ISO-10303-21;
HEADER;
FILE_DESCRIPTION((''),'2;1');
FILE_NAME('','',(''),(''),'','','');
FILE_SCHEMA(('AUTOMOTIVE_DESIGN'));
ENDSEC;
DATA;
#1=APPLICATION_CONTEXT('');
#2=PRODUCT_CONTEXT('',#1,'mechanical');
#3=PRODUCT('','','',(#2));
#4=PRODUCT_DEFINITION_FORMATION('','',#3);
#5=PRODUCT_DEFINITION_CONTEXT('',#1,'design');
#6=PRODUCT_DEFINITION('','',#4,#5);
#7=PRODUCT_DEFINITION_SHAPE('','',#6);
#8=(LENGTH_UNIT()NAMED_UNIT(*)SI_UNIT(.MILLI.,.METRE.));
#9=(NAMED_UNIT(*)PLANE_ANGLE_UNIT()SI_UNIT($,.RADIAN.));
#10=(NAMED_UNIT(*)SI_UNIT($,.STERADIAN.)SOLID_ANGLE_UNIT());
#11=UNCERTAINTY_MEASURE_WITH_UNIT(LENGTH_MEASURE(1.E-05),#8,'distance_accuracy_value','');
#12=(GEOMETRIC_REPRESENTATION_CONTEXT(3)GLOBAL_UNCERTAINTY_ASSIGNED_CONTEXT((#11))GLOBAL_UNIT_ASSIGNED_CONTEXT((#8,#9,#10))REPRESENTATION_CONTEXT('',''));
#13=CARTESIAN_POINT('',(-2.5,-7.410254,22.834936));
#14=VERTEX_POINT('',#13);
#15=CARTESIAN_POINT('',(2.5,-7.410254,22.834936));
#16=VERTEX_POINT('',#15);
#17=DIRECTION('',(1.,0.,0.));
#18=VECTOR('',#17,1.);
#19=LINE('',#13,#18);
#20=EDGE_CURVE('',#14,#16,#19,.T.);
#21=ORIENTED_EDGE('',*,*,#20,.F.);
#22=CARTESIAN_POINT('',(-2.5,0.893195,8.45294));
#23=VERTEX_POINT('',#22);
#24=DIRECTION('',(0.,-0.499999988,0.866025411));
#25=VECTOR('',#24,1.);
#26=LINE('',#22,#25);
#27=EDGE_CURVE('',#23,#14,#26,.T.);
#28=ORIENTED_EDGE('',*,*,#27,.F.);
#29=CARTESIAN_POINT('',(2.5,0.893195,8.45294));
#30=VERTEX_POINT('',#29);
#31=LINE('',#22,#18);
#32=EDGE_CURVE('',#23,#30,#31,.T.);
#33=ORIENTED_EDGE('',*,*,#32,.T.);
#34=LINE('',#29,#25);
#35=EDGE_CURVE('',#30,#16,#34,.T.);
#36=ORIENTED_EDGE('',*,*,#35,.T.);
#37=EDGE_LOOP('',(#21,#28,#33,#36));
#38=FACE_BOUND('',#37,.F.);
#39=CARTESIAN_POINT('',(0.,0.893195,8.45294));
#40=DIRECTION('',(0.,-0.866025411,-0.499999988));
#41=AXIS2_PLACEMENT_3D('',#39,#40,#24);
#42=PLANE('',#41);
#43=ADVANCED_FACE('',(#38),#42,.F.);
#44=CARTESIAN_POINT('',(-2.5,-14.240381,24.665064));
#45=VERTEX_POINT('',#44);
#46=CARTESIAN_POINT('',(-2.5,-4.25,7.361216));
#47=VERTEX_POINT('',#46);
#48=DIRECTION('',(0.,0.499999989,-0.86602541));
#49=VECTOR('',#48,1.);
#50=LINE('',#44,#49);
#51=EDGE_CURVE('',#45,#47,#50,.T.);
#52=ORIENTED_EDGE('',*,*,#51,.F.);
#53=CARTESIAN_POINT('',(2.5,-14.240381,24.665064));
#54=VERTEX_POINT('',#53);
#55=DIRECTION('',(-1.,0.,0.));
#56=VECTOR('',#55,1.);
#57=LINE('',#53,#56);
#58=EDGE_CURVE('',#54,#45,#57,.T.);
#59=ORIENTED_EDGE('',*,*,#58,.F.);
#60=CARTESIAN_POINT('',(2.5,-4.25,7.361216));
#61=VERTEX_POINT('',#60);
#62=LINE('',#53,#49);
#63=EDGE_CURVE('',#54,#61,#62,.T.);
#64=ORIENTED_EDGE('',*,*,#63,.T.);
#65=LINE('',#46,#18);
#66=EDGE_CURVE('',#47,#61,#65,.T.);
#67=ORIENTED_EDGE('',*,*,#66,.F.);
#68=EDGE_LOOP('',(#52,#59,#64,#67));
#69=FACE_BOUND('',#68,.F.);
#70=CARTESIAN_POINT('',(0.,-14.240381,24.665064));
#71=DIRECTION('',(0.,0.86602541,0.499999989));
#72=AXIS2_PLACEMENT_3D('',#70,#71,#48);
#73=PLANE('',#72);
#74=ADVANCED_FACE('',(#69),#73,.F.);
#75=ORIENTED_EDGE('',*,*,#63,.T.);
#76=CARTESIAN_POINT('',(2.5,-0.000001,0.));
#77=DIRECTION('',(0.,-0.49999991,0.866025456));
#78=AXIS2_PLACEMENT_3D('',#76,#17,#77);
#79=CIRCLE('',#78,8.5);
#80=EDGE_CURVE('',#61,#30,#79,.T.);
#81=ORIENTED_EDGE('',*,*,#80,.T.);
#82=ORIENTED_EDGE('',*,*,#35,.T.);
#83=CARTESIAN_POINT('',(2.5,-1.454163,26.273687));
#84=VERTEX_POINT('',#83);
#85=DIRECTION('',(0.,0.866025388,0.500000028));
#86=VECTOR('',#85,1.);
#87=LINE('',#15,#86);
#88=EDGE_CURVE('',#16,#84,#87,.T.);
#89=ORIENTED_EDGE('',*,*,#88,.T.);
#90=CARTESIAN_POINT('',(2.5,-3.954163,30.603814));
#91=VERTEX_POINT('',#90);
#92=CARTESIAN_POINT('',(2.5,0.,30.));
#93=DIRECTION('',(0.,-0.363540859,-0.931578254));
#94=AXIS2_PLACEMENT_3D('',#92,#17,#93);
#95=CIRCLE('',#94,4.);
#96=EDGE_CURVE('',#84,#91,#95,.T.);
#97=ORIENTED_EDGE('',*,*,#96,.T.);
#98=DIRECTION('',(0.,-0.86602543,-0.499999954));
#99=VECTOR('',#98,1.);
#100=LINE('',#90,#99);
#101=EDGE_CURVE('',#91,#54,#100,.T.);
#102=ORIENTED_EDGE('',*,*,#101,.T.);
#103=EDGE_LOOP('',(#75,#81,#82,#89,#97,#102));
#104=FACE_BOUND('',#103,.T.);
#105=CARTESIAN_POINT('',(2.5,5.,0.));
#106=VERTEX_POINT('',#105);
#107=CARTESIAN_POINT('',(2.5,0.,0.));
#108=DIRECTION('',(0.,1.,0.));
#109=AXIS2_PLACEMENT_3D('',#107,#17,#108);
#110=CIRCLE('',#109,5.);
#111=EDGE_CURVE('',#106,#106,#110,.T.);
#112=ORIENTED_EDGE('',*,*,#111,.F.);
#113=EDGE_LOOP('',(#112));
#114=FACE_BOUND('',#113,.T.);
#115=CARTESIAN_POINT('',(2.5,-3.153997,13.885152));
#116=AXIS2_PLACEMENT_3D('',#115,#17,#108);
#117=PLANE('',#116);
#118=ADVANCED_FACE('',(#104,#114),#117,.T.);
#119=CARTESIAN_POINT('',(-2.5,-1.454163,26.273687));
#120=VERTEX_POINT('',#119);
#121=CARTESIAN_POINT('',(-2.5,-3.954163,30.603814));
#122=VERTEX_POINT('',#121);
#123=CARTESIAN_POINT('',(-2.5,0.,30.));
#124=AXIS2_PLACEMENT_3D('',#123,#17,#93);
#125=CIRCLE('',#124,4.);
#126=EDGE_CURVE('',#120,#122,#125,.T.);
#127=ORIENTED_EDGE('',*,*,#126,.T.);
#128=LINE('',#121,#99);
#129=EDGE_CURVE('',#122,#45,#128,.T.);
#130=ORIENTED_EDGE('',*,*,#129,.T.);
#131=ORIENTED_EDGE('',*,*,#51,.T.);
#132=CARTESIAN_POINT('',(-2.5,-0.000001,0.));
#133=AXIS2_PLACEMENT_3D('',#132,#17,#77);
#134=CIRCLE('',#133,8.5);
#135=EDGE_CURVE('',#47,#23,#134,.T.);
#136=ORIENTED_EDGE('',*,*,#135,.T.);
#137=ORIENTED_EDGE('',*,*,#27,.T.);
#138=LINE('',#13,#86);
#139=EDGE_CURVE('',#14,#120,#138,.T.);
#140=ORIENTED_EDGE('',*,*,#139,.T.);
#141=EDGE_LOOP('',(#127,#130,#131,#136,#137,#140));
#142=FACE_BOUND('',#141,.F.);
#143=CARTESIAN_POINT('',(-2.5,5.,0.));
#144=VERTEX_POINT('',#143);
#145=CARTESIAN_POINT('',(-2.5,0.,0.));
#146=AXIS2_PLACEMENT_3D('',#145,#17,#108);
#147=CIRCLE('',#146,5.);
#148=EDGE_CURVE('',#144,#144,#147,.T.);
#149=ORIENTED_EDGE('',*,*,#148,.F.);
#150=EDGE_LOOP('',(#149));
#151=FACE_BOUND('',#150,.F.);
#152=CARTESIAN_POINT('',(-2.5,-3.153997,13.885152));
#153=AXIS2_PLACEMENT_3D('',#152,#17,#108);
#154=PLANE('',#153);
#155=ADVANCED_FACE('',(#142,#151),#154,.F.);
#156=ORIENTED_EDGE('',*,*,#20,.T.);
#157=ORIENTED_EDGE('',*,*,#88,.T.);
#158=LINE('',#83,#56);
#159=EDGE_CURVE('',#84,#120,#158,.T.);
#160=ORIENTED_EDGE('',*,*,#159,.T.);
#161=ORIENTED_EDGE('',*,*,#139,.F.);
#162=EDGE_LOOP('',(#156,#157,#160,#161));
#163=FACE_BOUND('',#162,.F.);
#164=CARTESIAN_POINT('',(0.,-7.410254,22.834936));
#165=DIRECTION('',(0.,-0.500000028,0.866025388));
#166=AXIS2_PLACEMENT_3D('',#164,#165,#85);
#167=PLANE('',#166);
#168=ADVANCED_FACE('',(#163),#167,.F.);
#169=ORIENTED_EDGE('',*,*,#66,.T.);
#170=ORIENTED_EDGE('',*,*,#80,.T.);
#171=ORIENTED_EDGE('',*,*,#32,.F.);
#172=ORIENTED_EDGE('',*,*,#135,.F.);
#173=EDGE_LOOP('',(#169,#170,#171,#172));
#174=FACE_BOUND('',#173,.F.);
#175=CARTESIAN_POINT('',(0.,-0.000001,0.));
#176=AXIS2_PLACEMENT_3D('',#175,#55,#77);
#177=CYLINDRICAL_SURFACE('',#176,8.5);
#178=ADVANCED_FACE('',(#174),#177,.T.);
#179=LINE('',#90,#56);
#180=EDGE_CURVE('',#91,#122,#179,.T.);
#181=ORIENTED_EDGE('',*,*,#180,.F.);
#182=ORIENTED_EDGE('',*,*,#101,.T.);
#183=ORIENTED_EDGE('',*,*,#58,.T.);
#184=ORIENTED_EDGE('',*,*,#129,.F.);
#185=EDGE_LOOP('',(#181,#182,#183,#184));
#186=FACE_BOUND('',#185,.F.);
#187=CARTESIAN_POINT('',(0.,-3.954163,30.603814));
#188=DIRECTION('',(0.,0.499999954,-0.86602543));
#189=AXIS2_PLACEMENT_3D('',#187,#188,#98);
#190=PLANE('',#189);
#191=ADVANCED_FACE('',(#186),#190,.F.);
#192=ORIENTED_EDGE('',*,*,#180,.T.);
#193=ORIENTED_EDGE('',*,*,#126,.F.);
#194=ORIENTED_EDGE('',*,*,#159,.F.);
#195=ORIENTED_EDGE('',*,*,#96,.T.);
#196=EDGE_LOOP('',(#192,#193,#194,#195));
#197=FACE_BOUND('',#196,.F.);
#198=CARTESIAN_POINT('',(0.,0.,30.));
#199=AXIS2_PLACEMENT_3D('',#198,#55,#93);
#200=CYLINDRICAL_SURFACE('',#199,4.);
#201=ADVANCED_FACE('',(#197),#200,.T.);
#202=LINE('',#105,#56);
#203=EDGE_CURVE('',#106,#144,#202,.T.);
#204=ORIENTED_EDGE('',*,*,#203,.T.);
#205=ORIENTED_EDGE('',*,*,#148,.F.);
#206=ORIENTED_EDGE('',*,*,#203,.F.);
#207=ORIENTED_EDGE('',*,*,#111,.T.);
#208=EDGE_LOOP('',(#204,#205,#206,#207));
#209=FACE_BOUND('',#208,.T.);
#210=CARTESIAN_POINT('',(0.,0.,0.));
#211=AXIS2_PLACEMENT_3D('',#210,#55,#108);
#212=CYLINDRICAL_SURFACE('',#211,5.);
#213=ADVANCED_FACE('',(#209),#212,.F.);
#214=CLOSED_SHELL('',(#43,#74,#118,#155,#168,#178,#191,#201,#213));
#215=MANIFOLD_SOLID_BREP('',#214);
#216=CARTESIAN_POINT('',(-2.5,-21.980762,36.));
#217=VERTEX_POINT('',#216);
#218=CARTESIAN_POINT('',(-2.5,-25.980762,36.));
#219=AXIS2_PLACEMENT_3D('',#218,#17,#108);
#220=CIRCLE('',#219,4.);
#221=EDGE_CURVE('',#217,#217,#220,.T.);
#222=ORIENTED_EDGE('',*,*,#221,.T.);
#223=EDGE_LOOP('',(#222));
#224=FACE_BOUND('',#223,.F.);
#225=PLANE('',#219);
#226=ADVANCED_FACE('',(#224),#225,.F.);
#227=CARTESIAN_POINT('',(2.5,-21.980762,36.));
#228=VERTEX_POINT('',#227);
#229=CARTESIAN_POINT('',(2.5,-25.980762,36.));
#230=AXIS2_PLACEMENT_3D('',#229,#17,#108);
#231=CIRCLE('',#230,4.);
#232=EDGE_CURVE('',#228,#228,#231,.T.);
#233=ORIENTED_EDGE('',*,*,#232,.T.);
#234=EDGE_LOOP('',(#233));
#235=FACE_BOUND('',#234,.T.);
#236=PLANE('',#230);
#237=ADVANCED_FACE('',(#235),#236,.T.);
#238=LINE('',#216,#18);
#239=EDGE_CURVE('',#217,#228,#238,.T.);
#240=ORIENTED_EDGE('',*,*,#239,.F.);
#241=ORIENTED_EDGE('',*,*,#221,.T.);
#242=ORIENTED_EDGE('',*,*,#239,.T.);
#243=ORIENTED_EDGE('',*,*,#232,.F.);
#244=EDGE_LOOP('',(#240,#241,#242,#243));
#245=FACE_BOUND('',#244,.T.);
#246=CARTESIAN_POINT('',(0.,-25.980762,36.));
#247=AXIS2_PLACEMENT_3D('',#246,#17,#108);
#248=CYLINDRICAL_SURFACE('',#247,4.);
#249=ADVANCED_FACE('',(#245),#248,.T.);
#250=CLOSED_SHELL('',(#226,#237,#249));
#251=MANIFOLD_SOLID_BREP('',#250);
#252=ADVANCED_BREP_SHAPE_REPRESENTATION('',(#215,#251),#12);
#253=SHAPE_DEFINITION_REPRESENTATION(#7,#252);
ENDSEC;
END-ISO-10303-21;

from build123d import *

# Parameters (mm, degrees)
F0_R     = 5
F0_R_2   = 4
F1_DEPTH = 2.5


with BuildPart() as f1:
    # F0 (on Right) → F1 (new body, symmetric)
    with BuildSketch(Plane.YZ):
        with BuildLine():
            Line((-14.240381, 24.665064), (-4.25, 7.361216))
            ThreePointArc((-4.25, 7.361216), (1.764936, -8.314746), (0.893195, 8.45294))
            Line((0.893195, 8.45294), (-7.410254, 22.834936))
            Line((-7.410254, 22.834936), (-1.454163, 26.273687))
            ThreePointArc((-1.454163, 26.273687), (3.464102, 32), (-3.954163, 30.603814))
            Line((-3.954163, 30.603814), (-14.240381, 24.665064))
        make_face()
        Circle(F0_R, mode=Mode.SUBTRACT)
        with Locations((-25.980762, 36)):
            Circle(F0_R_2)
    extrude(amount=F1_DEPTH, both=True)


solid = f1.part
